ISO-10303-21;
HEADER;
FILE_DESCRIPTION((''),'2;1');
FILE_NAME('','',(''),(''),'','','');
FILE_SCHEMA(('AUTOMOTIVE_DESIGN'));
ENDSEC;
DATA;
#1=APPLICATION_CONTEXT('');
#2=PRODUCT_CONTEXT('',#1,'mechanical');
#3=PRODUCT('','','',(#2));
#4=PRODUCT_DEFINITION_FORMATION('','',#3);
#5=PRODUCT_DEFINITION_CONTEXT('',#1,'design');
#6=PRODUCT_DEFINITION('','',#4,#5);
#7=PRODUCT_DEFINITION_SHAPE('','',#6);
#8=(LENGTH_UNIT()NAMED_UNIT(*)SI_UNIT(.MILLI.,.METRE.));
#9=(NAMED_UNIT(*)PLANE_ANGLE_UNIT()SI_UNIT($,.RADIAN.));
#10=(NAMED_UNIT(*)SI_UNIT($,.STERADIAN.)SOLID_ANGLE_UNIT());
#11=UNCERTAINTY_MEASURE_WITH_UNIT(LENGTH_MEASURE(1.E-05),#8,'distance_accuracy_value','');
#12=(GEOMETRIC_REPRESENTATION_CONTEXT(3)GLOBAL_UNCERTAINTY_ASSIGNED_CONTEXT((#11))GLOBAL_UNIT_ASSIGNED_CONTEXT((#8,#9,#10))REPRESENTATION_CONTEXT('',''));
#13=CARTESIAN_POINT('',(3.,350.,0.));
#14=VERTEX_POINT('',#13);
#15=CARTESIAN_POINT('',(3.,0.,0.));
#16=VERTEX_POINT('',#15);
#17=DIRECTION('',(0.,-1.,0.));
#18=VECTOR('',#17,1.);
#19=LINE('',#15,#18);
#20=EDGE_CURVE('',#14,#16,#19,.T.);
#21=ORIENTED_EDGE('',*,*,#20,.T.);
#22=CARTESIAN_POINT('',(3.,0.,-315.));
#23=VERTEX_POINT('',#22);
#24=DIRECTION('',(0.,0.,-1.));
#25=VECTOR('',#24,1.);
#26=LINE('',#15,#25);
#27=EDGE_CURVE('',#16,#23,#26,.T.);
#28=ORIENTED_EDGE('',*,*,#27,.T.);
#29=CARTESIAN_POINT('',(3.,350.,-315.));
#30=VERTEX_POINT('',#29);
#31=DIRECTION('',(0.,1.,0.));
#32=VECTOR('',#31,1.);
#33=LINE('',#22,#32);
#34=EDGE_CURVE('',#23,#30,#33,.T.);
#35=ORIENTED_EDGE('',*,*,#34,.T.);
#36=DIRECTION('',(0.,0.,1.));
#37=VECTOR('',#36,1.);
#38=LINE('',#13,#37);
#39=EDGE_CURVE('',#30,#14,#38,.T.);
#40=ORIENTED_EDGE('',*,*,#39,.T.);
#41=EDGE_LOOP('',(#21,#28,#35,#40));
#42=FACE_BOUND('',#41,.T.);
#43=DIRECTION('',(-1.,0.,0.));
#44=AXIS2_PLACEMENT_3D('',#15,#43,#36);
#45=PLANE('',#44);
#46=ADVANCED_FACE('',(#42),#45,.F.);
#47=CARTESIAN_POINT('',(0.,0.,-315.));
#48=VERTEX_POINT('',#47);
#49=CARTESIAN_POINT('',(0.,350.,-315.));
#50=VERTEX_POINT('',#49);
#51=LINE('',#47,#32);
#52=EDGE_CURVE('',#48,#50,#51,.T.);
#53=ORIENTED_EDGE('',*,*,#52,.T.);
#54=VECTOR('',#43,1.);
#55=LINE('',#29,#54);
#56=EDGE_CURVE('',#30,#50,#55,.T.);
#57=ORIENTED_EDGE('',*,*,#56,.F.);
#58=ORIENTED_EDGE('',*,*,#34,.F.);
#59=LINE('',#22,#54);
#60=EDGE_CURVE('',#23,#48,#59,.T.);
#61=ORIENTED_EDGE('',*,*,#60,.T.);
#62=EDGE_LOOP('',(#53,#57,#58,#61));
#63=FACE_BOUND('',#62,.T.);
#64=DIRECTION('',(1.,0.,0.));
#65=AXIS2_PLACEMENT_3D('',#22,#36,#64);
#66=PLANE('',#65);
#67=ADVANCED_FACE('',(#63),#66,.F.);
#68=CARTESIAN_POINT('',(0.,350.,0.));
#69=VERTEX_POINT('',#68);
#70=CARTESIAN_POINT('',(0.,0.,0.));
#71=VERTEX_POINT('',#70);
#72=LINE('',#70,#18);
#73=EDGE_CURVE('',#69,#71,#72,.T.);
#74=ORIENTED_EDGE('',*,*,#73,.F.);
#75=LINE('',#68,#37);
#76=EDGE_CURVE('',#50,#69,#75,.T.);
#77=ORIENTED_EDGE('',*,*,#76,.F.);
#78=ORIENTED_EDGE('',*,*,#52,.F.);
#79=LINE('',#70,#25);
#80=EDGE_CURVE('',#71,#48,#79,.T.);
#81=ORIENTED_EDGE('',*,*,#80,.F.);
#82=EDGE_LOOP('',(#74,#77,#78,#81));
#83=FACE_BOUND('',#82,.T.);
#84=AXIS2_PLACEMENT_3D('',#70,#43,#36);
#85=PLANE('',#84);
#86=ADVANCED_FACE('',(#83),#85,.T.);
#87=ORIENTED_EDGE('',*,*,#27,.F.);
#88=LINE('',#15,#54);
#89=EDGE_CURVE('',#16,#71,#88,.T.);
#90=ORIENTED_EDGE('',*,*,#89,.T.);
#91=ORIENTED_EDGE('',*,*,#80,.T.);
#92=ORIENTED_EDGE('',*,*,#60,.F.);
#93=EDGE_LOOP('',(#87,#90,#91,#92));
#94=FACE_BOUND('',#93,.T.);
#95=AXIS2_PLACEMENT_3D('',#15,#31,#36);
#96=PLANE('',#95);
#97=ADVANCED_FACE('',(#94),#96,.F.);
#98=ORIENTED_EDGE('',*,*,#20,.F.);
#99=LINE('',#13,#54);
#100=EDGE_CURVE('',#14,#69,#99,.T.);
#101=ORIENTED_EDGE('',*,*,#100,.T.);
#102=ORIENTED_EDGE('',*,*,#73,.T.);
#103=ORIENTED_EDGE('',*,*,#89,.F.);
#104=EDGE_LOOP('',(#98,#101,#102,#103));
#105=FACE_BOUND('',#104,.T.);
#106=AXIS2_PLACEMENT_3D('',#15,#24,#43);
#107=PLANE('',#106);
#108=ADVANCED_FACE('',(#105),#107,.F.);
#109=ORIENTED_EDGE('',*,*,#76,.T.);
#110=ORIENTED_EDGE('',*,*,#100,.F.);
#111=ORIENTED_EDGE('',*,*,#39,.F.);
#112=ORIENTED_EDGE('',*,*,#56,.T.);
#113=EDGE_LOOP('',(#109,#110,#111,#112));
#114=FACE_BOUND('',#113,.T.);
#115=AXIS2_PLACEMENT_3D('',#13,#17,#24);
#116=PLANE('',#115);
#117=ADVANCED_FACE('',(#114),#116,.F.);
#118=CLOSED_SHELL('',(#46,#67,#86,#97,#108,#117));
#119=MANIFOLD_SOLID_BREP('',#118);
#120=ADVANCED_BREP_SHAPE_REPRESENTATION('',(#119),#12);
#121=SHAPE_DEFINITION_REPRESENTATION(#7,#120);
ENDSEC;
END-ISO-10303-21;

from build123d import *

# Parameters (mm, degrees)
SKETCH_1_W      = 315
SKETCH_1_H      = 350
EXTRUDE_1_DEPTH = 3


with BuildPart() as part:
    # 草图1 → 凸台-拉伸1 (new body)
    with BuildSketch(Plane(origin=(0, 0, 0), x_dir=(0, 0, -1), z_dir=(1, 0, 0))):
        with Locations((157.5, 175)):
            Rectangle(SKETCH_1_W, SKETCH_1_H)
    extrude(amount=EXTRUDE_1_DEPTH)


solid = part.part
